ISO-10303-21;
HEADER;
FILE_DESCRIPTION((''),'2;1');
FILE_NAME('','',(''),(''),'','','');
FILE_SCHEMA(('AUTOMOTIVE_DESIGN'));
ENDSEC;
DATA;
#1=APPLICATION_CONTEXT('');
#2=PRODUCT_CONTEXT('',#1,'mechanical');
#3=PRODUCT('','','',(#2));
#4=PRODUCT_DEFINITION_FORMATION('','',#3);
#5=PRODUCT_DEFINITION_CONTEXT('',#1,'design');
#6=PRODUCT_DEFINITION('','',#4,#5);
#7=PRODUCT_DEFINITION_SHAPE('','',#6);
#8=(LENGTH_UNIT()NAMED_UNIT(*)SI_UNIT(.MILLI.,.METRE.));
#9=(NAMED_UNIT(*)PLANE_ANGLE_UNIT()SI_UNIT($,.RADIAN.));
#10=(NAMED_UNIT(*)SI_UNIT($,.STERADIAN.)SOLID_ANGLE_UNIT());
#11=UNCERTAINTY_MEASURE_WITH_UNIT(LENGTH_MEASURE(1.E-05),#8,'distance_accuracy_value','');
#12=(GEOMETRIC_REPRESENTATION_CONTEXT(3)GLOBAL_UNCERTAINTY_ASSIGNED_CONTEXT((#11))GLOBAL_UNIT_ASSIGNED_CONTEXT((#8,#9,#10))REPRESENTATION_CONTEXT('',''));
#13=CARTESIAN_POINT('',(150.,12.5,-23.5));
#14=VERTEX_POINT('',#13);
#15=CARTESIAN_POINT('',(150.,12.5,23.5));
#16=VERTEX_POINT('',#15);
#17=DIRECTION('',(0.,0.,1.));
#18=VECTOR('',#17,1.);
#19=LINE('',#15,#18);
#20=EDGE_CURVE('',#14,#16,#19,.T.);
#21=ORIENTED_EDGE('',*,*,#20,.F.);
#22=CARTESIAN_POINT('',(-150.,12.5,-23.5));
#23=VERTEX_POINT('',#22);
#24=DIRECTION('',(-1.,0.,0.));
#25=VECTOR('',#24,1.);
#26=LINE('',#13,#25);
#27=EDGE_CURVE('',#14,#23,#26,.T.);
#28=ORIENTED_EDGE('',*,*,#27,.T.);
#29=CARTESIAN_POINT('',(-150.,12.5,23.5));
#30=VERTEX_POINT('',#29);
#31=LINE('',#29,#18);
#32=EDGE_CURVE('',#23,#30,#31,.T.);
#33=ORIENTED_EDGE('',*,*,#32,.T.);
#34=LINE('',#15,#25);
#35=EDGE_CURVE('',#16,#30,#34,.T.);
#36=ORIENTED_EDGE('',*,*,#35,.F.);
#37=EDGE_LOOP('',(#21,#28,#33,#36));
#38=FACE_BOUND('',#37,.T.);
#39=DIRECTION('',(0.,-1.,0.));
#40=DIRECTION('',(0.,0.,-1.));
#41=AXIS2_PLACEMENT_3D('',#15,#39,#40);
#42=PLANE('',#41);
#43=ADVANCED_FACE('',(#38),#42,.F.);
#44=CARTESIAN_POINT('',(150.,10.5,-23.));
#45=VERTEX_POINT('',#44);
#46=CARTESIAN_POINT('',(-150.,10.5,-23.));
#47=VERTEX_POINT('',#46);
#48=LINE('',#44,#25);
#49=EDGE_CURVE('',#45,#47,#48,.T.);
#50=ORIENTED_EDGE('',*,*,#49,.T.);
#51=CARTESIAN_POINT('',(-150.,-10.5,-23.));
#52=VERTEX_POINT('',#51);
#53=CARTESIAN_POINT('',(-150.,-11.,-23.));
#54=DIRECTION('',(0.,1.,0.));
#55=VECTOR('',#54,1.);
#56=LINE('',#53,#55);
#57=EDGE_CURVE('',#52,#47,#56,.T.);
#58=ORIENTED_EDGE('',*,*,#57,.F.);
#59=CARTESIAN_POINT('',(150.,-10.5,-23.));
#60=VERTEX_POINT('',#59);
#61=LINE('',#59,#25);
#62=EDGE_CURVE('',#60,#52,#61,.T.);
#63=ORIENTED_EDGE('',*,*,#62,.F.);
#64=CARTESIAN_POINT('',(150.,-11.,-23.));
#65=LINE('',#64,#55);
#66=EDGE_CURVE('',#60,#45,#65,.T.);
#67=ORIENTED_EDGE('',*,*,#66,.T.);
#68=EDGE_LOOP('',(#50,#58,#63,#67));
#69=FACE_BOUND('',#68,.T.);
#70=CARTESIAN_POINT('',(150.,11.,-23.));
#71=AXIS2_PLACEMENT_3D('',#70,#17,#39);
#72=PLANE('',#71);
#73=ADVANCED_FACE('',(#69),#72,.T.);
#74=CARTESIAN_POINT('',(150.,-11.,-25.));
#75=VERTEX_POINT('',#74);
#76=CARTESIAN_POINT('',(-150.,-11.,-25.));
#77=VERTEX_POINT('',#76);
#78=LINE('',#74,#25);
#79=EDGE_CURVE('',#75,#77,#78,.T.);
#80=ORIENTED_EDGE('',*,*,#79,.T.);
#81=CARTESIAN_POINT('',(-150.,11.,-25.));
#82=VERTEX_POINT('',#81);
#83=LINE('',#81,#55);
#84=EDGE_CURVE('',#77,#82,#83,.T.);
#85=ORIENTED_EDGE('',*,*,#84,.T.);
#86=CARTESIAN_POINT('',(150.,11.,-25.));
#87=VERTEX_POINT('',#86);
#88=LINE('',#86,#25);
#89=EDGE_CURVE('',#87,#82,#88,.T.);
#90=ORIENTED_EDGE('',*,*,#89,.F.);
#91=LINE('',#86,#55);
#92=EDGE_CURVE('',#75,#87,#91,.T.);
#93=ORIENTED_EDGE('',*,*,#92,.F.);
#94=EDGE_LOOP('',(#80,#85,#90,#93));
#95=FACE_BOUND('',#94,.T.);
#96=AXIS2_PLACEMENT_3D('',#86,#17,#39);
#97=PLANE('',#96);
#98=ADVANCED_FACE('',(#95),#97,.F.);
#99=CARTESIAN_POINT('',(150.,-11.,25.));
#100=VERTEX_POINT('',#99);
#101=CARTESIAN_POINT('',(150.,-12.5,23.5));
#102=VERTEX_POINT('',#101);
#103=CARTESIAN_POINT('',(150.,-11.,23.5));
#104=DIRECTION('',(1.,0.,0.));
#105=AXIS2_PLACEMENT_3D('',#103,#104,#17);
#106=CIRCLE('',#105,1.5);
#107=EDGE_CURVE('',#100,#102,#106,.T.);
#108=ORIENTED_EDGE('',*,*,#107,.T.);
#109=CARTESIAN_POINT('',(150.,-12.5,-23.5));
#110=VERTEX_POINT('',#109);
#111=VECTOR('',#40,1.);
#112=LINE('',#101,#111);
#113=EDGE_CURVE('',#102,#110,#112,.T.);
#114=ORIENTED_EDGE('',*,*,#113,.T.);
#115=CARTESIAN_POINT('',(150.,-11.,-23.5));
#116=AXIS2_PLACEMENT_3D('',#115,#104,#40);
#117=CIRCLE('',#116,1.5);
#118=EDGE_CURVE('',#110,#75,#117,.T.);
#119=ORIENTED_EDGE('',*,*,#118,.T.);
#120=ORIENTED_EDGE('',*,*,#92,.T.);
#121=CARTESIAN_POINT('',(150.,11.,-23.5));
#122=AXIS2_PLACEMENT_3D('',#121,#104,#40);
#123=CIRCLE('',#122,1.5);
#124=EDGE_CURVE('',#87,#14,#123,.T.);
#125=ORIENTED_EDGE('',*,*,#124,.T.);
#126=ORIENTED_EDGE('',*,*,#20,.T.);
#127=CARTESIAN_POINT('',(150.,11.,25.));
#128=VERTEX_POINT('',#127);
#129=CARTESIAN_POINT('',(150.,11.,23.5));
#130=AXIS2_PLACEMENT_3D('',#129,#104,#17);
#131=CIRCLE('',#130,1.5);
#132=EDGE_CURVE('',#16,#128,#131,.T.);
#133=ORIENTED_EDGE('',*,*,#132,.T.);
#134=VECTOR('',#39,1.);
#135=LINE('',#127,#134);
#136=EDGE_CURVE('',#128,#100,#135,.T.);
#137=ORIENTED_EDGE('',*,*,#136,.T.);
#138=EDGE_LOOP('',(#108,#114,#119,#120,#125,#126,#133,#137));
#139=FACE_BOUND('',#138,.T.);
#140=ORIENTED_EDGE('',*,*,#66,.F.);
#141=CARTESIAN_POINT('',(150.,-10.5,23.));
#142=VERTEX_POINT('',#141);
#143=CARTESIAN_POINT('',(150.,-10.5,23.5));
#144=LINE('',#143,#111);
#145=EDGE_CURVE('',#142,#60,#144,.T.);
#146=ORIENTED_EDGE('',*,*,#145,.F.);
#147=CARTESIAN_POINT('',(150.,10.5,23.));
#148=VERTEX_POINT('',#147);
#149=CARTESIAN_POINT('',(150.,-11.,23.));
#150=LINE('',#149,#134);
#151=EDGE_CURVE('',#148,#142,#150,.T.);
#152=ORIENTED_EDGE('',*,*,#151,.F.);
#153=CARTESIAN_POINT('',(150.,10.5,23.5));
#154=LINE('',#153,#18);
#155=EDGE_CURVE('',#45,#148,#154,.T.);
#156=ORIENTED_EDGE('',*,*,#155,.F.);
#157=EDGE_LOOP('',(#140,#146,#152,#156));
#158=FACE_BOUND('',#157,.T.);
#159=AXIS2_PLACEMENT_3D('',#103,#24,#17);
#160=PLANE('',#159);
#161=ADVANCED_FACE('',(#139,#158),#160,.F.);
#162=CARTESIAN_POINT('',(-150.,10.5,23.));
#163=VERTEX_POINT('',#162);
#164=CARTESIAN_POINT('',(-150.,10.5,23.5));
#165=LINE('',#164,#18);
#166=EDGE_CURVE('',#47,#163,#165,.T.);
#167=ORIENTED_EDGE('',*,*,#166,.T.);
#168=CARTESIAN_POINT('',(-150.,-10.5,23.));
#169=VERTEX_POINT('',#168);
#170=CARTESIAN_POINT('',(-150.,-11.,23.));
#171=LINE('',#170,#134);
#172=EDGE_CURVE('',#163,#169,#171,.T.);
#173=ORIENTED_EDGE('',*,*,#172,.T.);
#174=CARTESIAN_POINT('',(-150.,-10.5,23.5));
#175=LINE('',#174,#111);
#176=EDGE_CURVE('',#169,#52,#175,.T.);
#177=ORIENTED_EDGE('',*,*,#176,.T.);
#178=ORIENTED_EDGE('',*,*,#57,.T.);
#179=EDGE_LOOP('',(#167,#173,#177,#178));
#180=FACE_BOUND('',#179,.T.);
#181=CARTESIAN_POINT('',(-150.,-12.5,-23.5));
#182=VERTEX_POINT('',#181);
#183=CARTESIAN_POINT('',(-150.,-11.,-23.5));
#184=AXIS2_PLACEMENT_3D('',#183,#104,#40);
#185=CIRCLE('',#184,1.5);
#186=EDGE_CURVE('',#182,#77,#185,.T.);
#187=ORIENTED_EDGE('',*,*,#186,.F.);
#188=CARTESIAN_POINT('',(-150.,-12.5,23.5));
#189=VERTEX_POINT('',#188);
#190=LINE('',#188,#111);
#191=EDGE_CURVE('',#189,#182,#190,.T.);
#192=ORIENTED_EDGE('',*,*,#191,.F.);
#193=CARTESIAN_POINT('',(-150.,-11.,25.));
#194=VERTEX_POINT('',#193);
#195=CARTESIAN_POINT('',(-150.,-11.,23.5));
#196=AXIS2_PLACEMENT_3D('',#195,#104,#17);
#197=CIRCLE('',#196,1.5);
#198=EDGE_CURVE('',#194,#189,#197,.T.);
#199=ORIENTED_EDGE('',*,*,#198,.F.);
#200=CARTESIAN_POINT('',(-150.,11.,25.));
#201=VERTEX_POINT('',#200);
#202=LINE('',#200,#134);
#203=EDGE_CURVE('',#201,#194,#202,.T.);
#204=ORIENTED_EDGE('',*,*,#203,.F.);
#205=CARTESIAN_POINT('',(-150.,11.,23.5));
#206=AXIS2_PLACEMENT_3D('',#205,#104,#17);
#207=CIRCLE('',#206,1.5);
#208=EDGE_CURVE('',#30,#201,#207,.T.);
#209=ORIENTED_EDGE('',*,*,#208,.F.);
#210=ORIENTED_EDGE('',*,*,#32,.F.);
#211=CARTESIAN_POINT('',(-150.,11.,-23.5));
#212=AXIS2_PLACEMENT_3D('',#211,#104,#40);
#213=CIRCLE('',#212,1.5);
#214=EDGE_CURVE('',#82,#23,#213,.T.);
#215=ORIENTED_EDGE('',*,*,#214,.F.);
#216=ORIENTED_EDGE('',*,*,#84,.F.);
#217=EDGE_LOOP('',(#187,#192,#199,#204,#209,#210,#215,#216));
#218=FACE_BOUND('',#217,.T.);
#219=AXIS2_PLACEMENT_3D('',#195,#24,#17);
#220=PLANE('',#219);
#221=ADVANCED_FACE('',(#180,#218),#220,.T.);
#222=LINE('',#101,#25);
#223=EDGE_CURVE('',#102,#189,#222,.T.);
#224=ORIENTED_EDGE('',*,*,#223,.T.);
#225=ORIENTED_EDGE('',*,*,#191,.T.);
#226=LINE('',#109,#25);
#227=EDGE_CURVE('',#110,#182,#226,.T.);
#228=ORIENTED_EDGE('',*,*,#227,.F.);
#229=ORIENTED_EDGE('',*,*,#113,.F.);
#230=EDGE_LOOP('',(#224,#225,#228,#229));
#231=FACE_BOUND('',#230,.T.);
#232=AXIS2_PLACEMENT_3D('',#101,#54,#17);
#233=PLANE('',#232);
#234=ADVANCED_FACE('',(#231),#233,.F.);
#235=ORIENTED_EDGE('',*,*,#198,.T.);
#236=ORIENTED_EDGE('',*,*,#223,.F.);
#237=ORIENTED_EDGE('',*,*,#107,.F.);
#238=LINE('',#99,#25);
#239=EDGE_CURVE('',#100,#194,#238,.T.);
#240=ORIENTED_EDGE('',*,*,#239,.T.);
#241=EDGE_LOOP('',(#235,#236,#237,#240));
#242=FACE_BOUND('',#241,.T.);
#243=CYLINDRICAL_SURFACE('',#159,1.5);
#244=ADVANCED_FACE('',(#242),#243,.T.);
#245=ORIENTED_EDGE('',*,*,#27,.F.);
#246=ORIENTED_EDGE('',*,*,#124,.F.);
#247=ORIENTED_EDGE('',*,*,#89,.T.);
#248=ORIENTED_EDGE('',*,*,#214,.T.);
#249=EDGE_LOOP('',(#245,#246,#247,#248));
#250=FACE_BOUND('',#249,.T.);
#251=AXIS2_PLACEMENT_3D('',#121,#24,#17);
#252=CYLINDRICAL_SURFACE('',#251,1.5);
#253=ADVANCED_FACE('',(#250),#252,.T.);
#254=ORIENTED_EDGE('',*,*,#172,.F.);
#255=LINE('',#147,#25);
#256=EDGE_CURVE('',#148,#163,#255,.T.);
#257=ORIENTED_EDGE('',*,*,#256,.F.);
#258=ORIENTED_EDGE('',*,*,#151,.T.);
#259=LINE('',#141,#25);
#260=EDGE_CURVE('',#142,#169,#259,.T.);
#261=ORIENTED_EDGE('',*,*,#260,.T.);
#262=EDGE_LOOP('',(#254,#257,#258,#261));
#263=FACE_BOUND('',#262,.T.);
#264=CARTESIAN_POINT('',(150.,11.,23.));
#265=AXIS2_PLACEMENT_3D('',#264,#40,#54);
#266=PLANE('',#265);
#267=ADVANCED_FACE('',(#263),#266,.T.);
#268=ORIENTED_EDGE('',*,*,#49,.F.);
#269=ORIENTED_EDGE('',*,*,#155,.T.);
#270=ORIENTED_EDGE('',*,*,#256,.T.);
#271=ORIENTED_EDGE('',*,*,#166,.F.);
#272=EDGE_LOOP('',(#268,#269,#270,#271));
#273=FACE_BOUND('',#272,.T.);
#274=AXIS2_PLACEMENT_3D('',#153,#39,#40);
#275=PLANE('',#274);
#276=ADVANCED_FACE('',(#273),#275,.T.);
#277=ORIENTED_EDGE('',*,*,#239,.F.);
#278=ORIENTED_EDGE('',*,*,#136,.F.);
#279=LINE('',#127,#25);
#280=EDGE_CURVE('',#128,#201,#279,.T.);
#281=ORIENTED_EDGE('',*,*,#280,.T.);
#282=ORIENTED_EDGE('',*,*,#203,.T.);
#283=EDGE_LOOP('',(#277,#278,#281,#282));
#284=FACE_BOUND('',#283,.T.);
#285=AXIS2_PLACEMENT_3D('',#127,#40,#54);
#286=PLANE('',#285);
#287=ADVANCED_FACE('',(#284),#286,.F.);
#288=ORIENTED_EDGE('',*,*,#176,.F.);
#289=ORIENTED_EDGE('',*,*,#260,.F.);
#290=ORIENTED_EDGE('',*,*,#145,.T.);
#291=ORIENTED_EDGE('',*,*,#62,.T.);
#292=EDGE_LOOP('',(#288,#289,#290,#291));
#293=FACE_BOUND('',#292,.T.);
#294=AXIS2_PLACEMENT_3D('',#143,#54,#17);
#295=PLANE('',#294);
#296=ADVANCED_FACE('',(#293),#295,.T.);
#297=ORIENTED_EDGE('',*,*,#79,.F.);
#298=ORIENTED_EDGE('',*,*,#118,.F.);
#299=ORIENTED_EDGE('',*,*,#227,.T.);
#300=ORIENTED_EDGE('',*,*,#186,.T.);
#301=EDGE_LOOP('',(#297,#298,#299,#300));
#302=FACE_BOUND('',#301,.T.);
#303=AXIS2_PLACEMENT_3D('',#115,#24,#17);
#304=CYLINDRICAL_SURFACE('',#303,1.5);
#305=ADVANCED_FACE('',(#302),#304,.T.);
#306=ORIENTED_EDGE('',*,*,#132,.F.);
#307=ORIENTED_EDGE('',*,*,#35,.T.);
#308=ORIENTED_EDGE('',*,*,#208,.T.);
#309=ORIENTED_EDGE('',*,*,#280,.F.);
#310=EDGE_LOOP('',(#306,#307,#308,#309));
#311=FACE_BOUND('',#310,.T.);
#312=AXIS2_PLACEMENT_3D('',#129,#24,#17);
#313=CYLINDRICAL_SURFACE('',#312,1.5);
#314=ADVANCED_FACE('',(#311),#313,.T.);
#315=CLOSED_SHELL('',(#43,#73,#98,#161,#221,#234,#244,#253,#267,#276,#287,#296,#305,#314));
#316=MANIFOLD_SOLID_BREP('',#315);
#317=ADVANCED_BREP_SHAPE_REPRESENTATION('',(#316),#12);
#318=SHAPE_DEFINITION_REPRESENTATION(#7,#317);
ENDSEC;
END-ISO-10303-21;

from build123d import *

# Parameters (mm, degrees)
BOSS_EXTRUDE1_DEPTH = 150
SHELL1_T            = -2


with BuildPart() as part:
    # Sketch1 → Boss-Extrude1 (new, symmetric)
    with BuildSketch(Plane(origin=(0, 0, 0), x_dir=(0, 0, -1), z_dir=(1, 0, 0))):
        with BuildLine():
            Line((-23.5, 12.5), (23.5, 12.5))
            ThreePointArc((23.5, 12.5), (24.560660172, 12.060660172), (25, 11))
            Line((25, 11), (25, -11))
            ThreePointArc((25, -11), (24.560660172, -12.060660172), (23.5, -12.5))
            Line((23.5, -12.5), (-23.5, -12.5))
            ThreePointArc((-23.5, -12.5), (-24.560660172, -12.060660172), (-25, -11))
            Line((-25, -11), (-25, 11))
            ThreePointArc((-25, 11), (-24.560660172, 12.060660172), (-23.5, 12.5))
        make_face()
    extrude(amount=BOSS_EXTRUDE1_DEPTH, both=True)

    # Shell1
    shell1_openings = [part.faces().sort_by_distance(p)[0] for p in [
        (150, 0, 0),
        (-150, 0, 0),
    ]]
    offset(amount=SHELL1_T, openings=shell1_openings, kind=Kind.INTERSECTION)


solid = part.part
